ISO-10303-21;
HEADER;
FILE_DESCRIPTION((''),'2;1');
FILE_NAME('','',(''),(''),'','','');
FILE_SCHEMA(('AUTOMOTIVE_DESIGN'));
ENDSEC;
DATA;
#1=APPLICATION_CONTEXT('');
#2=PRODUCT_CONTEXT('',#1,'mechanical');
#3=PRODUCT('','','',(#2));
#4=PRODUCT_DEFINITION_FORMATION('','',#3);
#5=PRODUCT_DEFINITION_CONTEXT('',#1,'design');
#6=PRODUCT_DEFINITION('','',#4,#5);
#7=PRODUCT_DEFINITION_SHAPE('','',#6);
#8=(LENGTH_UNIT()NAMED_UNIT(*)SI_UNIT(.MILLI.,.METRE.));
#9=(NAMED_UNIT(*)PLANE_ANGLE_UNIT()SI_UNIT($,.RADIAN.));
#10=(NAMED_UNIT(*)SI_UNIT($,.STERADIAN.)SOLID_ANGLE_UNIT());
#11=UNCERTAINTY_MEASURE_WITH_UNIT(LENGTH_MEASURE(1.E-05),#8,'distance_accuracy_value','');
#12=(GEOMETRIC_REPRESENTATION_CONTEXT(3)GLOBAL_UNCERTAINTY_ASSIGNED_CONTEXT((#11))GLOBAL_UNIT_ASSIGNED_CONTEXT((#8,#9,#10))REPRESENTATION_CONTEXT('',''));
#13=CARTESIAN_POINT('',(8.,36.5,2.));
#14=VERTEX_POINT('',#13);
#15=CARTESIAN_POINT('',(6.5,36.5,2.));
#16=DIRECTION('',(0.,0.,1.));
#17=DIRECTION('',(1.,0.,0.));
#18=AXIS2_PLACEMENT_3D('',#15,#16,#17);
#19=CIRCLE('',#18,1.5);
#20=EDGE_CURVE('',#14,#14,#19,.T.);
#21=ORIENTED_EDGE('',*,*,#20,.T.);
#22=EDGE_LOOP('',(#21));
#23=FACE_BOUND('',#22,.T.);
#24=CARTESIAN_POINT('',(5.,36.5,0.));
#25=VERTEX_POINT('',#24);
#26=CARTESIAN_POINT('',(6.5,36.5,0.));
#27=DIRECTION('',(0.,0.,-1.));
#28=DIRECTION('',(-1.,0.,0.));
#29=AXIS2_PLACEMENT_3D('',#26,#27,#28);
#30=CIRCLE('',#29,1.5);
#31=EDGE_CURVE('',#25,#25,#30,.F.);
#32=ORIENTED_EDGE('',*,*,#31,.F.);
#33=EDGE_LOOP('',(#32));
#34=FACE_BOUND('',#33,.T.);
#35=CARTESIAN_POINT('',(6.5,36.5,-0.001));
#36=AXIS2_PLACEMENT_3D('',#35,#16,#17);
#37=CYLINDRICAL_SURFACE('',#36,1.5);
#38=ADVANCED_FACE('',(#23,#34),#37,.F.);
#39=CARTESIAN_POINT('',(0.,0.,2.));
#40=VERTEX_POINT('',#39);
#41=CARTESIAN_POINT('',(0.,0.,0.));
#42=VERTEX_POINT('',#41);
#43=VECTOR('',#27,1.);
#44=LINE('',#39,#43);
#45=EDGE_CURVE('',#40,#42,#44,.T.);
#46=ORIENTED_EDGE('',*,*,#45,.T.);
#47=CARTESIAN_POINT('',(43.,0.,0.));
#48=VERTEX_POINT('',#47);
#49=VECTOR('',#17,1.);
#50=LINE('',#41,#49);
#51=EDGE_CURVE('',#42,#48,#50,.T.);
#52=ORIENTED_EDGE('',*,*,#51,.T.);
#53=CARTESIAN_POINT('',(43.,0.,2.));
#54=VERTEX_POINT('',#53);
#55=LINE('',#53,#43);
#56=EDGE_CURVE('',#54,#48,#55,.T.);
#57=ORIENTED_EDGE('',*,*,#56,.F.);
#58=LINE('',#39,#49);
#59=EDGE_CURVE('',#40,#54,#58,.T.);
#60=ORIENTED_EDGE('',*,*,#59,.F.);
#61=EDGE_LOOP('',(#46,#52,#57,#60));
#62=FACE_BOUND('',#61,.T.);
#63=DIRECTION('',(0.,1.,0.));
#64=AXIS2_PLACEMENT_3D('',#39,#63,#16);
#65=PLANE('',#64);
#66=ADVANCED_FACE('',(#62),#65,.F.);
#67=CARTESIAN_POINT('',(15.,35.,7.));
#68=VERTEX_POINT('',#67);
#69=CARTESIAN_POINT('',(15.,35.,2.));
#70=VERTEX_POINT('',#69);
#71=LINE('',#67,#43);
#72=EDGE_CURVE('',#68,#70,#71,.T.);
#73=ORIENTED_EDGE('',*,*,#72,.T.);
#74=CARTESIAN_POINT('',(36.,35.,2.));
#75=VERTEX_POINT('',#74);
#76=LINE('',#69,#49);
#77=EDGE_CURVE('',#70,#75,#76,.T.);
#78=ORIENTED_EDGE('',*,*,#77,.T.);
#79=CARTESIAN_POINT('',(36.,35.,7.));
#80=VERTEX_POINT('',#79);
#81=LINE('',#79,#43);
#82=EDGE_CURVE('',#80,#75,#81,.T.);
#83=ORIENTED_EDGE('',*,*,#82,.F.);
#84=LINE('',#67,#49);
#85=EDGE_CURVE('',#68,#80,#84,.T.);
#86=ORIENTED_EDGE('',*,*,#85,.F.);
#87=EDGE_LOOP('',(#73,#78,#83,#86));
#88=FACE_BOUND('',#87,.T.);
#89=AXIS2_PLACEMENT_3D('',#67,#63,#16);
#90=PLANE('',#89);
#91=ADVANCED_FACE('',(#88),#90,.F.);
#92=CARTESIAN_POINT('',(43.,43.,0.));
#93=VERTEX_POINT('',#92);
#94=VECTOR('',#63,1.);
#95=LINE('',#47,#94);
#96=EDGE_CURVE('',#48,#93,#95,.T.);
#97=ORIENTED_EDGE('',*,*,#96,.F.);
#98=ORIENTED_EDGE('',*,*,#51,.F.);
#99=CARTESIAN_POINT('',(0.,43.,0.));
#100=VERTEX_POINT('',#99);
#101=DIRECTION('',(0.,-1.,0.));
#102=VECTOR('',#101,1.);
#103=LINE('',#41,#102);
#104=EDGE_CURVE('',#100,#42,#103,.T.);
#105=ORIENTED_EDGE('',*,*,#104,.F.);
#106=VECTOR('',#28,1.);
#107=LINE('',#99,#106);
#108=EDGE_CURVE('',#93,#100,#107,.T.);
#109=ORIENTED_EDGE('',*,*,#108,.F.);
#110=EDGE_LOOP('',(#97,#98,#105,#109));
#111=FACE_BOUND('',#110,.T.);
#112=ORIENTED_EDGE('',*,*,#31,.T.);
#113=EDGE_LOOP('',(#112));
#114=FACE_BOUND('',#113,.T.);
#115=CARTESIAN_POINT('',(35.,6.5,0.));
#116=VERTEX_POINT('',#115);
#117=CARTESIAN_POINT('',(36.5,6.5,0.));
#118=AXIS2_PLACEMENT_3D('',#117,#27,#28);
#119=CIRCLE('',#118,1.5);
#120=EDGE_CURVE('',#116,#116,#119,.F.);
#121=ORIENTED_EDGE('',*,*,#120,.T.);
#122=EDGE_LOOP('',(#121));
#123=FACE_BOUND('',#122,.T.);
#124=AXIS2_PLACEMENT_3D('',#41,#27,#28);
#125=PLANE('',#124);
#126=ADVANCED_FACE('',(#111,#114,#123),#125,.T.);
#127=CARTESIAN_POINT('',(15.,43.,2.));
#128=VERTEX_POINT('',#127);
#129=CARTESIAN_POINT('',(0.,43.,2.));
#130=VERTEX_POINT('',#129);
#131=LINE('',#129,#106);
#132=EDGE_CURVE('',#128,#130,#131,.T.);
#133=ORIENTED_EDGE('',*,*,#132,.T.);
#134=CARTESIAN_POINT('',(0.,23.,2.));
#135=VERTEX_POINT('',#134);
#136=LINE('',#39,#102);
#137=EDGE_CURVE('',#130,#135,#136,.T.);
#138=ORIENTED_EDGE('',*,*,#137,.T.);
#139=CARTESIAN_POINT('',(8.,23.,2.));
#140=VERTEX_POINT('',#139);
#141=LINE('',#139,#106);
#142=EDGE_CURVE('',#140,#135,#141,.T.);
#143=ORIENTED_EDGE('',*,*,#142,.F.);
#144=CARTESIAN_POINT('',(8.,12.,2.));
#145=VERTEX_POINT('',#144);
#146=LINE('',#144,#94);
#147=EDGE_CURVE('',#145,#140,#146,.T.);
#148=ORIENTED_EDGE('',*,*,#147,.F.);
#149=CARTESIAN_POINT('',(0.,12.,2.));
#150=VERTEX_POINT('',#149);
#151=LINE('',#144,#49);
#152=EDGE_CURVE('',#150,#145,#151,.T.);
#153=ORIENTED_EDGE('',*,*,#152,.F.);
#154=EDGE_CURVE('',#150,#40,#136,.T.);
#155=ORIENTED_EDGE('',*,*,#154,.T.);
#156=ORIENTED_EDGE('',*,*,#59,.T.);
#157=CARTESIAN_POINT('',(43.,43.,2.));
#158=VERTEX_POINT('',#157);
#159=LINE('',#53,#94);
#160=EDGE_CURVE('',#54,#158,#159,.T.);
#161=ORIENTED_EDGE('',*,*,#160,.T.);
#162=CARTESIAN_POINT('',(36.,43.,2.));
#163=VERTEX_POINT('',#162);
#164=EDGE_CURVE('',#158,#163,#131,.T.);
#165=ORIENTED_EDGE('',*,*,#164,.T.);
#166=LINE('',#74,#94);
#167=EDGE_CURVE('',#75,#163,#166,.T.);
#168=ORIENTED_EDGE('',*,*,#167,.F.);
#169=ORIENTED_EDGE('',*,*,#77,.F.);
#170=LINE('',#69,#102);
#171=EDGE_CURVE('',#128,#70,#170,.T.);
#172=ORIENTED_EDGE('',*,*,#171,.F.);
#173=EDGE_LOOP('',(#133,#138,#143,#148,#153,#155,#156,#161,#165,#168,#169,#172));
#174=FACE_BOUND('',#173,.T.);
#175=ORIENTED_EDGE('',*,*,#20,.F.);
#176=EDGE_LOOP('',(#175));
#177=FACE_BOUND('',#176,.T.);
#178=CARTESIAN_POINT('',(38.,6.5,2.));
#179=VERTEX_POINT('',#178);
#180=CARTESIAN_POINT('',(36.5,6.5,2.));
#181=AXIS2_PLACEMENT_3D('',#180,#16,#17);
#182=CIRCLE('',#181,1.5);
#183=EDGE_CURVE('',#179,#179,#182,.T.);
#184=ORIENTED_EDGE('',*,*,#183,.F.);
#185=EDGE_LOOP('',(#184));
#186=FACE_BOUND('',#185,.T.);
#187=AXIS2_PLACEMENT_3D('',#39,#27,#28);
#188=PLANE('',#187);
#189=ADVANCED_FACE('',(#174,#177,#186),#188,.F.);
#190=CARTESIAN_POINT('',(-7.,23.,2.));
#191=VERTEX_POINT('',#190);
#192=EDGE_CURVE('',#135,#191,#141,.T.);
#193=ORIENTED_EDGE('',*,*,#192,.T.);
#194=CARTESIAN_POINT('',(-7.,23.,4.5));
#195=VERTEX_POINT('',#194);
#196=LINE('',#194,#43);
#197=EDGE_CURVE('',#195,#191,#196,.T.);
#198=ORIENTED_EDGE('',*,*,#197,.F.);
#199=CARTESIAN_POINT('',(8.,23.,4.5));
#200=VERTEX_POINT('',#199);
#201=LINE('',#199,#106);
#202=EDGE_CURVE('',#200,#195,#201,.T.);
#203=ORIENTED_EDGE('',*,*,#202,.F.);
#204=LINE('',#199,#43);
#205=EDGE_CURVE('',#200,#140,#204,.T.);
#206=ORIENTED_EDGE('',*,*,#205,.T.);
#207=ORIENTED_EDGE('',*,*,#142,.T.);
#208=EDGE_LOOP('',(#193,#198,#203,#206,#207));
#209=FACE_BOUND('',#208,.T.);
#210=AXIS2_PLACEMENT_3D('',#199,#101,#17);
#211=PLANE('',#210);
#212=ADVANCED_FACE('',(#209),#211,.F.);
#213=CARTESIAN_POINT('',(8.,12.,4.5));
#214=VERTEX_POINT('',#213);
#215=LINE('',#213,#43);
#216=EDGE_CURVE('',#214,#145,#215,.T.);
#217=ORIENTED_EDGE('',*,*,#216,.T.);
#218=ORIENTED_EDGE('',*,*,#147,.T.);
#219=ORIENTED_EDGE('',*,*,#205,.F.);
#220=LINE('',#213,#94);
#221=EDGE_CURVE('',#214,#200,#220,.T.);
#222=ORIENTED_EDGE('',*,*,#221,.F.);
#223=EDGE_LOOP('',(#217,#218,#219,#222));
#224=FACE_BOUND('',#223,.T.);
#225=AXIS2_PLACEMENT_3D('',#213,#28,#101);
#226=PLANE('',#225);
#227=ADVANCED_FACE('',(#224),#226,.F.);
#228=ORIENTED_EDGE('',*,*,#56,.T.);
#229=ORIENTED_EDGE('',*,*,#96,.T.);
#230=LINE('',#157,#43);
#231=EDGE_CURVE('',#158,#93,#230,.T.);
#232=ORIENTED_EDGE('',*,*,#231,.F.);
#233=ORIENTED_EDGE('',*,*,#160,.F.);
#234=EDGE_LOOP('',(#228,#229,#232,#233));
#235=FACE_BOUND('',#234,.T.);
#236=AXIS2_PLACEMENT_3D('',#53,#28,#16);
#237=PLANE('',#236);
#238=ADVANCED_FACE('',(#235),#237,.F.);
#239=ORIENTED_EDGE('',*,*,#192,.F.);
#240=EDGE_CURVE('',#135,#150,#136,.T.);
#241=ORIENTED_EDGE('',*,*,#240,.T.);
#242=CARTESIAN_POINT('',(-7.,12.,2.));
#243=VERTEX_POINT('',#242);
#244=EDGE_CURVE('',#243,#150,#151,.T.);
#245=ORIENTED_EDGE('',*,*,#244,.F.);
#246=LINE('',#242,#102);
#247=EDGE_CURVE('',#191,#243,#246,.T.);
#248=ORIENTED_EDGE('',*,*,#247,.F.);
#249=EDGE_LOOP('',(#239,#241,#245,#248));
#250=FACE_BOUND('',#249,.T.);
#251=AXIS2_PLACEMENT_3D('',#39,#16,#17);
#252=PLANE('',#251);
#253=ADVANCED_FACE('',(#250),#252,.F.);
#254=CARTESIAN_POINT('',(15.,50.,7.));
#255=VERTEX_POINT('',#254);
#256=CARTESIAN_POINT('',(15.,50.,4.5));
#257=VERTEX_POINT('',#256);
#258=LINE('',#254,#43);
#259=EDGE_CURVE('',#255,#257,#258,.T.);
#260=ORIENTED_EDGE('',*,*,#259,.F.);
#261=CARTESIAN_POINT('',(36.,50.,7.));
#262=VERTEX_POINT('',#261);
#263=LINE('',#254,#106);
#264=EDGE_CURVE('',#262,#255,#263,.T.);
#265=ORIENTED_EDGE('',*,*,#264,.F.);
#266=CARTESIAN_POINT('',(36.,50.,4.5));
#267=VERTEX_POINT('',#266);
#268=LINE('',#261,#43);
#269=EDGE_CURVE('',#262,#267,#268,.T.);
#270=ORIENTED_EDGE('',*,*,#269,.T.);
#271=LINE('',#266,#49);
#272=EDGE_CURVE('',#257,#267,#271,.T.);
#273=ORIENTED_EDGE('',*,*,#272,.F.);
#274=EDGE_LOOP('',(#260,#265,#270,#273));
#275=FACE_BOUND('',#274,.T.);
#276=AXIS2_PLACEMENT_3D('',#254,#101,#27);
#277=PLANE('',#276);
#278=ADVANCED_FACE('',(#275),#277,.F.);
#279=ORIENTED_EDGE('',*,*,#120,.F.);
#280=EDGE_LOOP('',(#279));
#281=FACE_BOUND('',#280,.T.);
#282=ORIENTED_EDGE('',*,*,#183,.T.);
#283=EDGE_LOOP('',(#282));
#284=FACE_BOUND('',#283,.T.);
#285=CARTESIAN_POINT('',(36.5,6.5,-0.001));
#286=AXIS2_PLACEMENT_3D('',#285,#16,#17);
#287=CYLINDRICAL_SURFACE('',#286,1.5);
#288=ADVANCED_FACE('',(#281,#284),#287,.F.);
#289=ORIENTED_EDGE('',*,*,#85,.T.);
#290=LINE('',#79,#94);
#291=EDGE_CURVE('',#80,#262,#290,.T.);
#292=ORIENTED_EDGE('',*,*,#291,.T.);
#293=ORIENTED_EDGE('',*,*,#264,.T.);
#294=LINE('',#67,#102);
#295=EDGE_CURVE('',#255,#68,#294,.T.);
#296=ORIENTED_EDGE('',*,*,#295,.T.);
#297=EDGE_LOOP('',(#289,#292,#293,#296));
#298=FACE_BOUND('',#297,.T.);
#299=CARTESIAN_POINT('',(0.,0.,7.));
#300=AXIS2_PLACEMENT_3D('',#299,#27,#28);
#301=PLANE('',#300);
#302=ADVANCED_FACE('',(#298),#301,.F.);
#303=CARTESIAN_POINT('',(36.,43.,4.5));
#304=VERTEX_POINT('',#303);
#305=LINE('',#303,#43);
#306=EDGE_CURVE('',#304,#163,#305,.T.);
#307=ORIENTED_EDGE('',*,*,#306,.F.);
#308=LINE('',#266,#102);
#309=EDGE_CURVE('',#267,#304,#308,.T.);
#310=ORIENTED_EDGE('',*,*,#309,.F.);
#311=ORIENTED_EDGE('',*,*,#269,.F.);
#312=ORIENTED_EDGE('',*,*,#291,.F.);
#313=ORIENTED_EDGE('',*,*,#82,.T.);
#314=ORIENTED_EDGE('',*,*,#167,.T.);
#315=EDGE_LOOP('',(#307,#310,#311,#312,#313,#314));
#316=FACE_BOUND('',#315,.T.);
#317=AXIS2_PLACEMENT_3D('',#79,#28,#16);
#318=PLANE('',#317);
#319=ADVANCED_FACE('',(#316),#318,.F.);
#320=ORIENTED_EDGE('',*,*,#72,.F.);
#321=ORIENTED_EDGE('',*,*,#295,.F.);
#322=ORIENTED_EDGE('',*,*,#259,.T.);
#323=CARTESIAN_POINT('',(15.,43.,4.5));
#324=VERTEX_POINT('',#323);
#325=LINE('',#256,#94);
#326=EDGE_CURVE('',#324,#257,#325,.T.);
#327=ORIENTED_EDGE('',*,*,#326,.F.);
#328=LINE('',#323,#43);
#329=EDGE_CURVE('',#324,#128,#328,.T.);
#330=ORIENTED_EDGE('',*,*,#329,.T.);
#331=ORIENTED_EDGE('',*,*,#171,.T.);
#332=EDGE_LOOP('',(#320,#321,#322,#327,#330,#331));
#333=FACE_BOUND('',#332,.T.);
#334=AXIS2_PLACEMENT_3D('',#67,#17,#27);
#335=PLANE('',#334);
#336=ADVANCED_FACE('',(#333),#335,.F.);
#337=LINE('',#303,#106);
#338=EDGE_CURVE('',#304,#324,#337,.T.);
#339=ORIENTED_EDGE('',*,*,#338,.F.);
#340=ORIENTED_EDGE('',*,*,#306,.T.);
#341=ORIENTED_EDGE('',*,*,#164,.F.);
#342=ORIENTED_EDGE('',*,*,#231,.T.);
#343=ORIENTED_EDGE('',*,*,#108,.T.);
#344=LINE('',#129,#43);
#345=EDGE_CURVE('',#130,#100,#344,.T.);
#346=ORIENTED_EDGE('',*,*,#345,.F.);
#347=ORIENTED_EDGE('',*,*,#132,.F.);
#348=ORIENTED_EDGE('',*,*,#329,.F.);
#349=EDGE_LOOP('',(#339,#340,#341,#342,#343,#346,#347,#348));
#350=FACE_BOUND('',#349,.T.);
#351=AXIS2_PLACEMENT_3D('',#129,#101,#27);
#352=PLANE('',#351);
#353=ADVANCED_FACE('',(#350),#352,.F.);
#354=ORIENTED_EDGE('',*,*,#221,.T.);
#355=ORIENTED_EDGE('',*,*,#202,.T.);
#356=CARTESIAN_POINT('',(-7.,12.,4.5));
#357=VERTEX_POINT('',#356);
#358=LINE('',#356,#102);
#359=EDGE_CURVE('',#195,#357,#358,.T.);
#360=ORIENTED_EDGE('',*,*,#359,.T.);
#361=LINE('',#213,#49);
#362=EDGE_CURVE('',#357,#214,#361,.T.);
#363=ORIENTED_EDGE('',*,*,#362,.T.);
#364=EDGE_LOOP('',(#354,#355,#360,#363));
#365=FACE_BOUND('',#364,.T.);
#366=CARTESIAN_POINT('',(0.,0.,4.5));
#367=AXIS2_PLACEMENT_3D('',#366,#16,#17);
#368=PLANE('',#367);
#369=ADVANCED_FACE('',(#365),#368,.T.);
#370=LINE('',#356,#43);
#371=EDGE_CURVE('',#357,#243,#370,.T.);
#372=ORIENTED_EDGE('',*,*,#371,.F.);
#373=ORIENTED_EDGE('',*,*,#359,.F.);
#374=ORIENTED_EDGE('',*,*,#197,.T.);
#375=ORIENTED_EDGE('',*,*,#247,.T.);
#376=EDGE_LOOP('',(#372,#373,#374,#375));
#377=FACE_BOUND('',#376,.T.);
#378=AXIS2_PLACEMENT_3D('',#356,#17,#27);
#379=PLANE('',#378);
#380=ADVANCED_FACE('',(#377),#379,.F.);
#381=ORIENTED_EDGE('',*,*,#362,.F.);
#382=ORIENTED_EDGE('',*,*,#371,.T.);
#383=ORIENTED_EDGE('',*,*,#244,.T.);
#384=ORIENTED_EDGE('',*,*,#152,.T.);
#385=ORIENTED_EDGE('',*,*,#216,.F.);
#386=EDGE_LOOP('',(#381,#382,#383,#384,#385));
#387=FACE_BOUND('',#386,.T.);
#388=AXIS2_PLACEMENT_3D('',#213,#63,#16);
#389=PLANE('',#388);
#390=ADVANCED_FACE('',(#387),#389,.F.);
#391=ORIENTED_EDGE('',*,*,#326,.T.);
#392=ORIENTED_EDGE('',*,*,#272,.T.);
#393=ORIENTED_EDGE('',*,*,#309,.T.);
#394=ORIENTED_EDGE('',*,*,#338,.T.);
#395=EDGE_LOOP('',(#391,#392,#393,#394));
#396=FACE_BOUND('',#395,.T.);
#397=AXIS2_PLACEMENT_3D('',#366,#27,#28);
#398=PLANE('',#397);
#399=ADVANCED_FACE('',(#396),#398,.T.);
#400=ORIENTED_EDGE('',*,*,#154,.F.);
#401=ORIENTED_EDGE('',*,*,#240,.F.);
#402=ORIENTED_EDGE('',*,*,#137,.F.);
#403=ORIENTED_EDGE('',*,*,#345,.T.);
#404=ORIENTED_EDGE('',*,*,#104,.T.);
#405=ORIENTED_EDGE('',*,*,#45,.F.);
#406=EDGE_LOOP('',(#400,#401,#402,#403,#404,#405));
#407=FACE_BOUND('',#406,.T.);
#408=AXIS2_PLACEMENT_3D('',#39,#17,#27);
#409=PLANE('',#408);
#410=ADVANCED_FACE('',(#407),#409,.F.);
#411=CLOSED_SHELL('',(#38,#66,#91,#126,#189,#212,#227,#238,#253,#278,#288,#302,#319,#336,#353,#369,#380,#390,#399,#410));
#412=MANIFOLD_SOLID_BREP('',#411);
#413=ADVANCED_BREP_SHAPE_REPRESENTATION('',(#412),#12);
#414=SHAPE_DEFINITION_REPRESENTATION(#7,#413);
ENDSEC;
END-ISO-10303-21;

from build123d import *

# Parameters (mm, degrees)
SKETCH2_W           = 43
SKETCH2_H           = 43
BOSS_EXTRUDE1_DEPTH = 2
CUT_EXTRUDE1_REACH  = 62.844
SKETCH3_R           = 1.5
CUT_EXTRUDE2_REACH  = 62.844
SKETCH4_R           = 1.5
SKETCH5_W           = 21
SKETCH5_H           = 15
BOSS_EXTRUDE2_DEPTH = 5
SKETCH6_W           = 15
SKETCH6_H           = 11
BOSS_EXTRUDE3_DEPTH = 2.5
SKETCH7_W           = 21
SKETCH7_H           = 7
CUT_EXTRUDE3_DEPTH  = 2.5


with BuildPart() as part:
    # Sketch2 → Boss-Extrude1 (new body)
    with BuildSketch(Plane.XY):
        with Locations((21.5, 21.5)):
            Rectangle(SKETCH2_W, SKETCH2_H)
    extrude(amount=BOSS_EXTRUDE1_DEPTH)

    # Sketch3 → Cut-Extrude1 (cut, up to next)
    with BuildSketch(Plane.XY.offset(2), mode=Mode.PRIVATE) as cut_extrude1_sk1:
        with Locations((6.5, 36.5)):
            Circle(SKETCH3_R)
    cut_extrude1_tool1 = extrude(cut_extrude1_sk1.sketch, amount=-CUT_EXTRUDE1_REACH, mode=Mode.PRIVATE) & part.part
    add(cut_extrude1_tool1.solids().sort_by_distance((6.5, 36.5, 2))[0], mode=Mode.SUBTRACT)

    # Sketch4 → Cut-Extrude2 (cut, up to next)
    with BuildSketch(Plane.XY.offset(2), mode=Mode.PRIVATE) as cut_extrude2_sk1:
        with Locations((36.5, 6.5)):
            Circle(SKETCH4_R)
    cut_extrude2_tool1 = extrude(cut_extrude2_sk1.sketch, amount=-CUT_EXTRUDE2_REACH, mode=Mode.PRIVATE) & part.part
    add(cut_extrude2_tool1.solids().sort_by_distance((36.5, 6.5, 2))[0], mode=Mode.SUBTRACT)

    # Sketch5 → Boss-Extrude2 (add)
    with BuildSketch(Plane.XY.offset(2)):
        with Locations((25.5, 42.5)):
            Rectangle(SKETCH5_W, SKETCH5_H)
    extrude(amount=BOSS_EXTRUDE2_DEPTH)

    # Sketch6 → Boss-Extrude3 (add)
    with BuildSketch(Plane.XY.offset(2)):
        with Locations((0.5, 17.5)):
            Rectangle(SKETCH6_W, SKETCH6_H)
    extrude(amount=BOSS_EXTRUDE3_DEPTH)

    # Sketch7 → Cut-Extrude3 (cut)
    with BuildSketch(Plane(origin=(0, 0, 2), x_dir=(-1, 0, 0), z_dir=(0, 0, -1))):
        with Locations((-25.5, 46.5)):
            Rectangle(SKETCH7_W, SKETCH7_H)
    extrude(amount=-CUT_EXTRUDE3_DEPTH, mode=Mode.SUBTRACT)


solid = part.part
